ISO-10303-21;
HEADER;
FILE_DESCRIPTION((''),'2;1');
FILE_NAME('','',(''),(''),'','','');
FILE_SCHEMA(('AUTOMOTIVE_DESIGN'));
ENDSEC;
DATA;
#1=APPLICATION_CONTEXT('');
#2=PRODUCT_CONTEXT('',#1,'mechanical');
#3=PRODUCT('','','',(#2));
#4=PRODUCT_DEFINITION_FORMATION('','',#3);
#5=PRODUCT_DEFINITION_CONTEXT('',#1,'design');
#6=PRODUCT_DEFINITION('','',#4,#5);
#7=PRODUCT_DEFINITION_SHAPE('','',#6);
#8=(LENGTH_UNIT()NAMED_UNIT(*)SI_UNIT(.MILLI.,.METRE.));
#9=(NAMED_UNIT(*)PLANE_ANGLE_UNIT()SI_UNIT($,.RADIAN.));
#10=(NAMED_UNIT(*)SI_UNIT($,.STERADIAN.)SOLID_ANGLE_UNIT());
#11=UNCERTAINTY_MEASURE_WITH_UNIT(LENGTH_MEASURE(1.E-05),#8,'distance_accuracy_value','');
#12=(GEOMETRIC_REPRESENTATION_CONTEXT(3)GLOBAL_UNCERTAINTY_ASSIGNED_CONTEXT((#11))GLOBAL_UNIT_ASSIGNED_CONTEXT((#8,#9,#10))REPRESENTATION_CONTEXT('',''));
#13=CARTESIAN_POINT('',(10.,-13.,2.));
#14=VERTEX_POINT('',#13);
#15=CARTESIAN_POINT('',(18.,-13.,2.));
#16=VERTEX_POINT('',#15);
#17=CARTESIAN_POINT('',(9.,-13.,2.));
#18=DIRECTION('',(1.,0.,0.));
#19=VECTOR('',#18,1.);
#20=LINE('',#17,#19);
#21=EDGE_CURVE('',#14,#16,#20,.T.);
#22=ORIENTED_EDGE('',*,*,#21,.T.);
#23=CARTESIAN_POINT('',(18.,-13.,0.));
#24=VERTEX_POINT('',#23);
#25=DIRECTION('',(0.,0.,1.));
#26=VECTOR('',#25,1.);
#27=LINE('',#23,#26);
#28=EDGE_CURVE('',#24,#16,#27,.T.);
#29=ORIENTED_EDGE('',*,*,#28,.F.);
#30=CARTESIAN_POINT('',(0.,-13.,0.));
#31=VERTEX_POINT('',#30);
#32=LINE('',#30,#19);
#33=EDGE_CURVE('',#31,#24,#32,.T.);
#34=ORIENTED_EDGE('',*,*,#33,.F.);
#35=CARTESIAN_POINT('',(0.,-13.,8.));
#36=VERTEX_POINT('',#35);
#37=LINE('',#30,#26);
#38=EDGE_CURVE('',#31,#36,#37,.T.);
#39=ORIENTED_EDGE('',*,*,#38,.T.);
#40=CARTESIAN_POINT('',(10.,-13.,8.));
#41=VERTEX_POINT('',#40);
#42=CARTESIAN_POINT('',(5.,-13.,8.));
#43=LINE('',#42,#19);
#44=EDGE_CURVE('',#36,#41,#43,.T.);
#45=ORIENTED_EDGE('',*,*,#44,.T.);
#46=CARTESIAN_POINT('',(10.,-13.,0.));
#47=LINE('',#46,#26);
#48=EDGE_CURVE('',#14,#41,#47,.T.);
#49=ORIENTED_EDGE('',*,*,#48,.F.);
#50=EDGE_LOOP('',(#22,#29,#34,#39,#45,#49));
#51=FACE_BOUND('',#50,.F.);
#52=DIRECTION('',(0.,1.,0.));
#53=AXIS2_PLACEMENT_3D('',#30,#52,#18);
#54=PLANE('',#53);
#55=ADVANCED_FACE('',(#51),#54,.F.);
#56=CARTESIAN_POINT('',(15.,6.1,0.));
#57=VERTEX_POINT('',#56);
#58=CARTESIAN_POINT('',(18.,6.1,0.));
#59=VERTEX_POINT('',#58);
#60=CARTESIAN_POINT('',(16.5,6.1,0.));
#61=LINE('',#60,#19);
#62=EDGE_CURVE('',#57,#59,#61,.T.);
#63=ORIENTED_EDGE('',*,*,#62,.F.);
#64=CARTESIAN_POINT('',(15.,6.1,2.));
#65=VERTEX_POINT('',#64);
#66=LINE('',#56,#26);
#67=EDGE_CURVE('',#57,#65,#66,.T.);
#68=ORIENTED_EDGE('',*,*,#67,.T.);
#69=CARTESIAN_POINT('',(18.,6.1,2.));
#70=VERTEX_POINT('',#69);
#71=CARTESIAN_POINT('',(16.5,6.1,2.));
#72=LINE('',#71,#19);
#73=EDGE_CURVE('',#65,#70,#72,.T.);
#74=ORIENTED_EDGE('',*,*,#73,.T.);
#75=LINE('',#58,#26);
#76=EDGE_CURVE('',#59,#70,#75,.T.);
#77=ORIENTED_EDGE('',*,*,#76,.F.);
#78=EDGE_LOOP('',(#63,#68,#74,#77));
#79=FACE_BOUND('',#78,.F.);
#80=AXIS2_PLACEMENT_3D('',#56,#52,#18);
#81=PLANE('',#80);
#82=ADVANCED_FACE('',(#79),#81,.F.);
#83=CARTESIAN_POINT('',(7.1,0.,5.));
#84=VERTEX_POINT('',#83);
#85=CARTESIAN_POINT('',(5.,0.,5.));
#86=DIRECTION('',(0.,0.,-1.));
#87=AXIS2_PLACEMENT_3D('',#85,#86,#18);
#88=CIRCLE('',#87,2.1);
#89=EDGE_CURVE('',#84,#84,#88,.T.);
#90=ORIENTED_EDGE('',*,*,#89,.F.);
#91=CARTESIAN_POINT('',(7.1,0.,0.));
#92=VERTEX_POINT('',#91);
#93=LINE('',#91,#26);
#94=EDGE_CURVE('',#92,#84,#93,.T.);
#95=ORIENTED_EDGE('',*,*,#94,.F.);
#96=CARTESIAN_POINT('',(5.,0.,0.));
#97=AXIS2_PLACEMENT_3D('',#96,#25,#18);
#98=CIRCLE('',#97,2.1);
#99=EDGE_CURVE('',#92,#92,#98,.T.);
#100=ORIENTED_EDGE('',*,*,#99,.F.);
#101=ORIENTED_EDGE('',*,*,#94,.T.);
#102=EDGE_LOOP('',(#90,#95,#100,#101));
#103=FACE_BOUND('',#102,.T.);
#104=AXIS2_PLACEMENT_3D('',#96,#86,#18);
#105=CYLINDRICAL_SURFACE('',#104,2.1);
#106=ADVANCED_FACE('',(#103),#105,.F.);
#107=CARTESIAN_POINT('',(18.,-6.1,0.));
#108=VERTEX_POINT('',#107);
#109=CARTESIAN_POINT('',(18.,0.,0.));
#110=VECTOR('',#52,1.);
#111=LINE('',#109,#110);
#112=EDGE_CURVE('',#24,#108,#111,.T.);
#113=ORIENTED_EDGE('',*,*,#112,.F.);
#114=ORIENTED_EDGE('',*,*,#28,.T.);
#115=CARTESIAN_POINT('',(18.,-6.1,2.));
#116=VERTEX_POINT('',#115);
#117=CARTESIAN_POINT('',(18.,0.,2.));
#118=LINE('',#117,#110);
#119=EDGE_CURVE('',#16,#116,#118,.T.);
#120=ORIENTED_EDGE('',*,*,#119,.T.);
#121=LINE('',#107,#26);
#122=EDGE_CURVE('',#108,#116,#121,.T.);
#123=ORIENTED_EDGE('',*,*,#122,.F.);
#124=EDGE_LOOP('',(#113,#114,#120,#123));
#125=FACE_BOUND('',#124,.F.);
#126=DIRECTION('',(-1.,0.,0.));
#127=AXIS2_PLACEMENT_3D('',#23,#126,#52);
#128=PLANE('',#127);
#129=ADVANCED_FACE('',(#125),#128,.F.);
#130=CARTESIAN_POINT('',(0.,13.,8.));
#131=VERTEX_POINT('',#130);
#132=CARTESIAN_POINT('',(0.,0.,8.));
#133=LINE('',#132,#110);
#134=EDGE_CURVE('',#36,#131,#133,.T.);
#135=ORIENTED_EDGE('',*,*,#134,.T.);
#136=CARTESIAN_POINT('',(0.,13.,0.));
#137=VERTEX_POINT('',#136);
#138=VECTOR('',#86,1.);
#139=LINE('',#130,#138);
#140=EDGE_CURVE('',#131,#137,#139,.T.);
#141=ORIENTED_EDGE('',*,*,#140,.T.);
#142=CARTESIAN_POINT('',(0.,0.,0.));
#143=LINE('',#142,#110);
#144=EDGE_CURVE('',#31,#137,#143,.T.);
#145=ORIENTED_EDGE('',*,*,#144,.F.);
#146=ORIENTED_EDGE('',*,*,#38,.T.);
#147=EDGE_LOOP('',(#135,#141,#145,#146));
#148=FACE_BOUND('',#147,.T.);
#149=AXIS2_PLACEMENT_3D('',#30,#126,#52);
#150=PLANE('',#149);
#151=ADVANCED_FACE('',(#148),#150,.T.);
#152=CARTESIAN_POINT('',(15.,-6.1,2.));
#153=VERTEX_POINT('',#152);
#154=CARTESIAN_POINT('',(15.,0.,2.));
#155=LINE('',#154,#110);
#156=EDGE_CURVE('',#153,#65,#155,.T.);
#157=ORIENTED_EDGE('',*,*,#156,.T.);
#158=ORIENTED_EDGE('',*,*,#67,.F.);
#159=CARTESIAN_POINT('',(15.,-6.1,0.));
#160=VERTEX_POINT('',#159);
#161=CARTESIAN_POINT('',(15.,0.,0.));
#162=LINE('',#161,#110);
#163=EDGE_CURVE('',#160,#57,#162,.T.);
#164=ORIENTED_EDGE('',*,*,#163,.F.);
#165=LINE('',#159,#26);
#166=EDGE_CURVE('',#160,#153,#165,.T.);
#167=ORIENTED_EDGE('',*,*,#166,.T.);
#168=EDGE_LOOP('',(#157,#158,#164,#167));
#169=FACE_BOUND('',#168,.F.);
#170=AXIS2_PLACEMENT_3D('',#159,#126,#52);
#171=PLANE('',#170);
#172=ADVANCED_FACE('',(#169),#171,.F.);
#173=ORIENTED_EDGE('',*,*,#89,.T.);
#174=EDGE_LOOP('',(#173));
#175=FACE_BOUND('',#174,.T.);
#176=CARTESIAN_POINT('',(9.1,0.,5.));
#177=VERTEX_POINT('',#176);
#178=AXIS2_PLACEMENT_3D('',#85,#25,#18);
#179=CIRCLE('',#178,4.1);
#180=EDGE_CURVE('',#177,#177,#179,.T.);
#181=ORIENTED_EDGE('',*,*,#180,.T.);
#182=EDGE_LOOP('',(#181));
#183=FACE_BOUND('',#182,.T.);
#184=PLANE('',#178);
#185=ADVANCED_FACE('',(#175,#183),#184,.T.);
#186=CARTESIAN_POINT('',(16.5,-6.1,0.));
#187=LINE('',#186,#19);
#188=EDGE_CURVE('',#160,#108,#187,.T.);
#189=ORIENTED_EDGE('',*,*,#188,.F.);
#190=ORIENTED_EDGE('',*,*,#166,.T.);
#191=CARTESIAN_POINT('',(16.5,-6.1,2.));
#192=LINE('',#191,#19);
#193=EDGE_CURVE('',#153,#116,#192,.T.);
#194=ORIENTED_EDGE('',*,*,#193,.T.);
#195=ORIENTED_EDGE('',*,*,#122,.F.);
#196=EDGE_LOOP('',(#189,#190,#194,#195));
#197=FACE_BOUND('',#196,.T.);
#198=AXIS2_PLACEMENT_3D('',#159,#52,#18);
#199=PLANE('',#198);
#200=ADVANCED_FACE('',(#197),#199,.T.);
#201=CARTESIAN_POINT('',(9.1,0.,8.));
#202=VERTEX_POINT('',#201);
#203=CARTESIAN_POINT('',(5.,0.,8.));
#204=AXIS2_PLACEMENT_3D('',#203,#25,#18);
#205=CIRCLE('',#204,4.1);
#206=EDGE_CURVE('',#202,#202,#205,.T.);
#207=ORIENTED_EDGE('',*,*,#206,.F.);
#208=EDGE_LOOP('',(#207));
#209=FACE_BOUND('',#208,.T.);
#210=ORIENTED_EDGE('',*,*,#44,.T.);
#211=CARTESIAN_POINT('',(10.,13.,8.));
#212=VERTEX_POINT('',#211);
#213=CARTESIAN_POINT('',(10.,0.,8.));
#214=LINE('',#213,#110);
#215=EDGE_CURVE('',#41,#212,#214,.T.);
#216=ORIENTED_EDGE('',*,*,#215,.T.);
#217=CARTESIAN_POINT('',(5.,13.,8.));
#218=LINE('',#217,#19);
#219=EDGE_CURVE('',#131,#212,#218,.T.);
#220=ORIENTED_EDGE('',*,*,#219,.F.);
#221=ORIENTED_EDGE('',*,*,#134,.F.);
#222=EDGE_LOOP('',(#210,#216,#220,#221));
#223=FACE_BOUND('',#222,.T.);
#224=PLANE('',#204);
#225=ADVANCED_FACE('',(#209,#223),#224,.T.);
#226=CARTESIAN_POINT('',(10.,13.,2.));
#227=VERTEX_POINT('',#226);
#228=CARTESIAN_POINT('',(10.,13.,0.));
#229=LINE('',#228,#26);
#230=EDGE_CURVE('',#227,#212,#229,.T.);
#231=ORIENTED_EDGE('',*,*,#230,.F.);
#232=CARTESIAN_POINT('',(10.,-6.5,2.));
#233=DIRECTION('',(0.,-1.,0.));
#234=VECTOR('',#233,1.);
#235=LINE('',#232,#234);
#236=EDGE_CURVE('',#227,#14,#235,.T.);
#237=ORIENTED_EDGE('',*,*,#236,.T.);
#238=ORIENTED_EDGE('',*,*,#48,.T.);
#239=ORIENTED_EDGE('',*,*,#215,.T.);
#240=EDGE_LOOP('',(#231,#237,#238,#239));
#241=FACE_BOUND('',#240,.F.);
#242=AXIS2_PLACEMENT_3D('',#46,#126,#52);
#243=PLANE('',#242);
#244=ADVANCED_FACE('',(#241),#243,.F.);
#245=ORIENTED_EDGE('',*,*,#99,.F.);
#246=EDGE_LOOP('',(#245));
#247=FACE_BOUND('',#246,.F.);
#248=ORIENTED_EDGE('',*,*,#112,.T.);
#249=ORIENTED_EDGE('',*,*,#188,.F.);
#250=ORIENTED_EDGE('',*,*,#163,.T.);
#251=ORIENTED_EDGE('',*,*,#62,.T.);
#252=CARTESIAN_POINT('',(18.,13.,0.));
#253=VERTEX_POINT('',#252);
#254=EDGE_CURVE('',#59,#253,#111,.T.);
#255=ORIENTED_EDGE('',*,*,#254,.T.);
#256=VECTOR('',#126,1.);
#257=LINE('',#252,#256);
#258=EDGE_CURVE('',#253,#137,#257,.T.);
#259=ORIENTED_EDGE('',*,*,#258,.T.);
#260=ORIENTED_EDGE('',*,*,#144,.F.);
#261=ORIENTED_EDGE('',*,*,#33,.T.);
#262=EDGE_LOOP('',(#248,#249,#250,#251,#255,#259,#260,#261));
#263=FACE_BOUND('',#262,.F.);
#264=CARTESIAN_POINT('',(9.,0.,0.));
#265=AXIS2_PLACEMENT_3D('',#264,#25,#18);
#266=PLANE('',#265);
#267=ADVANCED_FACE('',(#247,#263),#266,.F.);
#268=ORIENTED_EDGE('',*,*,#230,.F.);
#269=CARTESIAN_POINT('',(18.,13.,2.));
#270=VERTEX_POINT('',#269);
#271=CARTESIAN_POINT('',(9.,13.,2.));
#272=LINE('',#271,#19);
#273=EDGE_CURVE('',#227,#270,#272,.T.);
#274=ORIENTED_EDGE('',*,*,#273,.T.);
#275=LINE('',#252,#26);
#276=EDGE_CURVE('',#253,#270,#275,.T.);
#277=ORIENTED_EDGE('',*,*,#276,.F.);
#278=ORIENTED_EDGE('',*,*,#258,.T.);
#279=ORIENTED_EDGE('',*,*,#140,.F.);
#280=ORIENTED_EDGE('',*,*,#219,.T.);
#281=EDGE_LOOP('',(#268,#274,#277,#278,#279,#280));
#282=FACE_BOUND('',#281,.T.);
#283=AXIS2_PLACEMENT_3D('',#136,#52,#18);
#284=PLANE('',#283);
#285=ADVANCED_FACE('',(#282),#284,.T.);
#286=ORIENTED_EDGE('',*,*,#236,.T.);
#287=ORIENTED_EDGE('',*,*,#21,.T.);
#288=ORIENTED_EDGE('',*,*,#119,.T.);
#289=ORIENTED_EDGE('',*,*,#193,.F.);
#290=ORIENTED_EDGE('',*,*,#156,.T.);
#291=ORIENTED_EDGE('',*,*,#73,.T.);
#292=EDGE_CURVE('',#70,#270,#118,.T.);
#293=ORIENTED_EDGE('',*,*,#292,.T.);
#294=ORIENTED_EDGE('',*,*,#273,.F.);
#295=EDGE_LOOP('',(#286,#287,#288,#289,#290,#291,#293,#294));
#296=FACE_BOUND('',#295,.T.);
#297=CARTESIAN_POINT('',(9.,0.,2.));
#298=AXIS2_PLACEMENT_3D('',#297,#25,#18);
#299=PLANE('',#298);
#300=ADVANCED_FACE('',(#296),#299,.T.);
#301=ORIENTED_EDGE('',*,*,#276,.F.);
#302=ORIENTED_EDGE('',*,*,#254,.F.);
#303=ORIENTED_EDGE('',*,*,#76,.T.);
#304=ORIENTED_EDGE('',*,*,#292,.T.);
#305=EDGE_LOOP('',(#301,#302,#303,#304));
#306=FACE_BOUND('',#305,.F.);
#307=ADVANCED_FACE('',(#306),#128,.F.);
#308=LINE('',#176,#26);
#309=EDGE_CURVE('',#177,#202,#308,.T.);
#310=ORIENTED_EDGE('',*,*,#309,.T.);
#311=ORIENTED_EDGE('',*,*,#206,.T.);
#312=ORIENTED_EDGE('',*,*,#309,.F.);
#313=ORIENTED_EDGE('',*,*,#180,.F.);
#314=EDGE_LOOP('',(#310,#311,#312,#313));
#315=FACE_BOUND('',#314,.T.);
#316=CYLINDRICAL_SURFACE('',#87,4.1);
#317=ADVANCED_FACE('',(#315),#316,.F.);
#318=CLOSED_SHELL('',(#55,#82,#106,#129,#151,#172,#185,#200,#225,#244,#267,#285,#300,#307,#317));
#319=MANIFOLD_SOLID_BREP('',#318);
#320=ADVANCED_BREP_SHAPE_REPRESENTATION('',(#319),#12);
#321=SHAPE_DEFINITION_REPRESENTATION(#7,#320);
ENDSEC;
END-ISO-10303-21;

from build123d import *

# Parameters (mm, degrees)
CYLINDER001_R     = 4.1
CYLINDER001_DEPTH = 3
CYLINDER_R        = 2.1
CYLINDER_DEPTH    = 8
BOX004_W          = 3
BOX004_H          = 12.2
BOX004_DEPTH      = 2
BOX001_W          = 10
BOX001_H          = 26
BOX001_DEPTH      = 8
BOX_W             = 18
BOX_H             = 26
BOX_DEPTH         = 2


with BuildPart() as cylinder001:
    # Cylinder001 → Cylinder001 (new body)
    with BuildSketch(Plane(origin=(5, 0, 5), x_dir=(1, 0, 0), z_dir=(0, 0, 1))):
        Circle(CYLINDER001_R)
    extrude(amount=CYLINDER001_DEPTH)


with BuildPart() as fusion:
    # Cylinder → Cylinder (new body)
    with BuildSketch(Plane(origin=(5, 0, 0), x_dir=(1, 0, 0), z_dir=(0, 0, 1))):
        Circle(CYLINDER_R)
    extrude(amount=CYLINDER_DEPTH)

    # Fusion: union Cylinder001
    add(cylinder001.part)


with BuildPart() as cube004:
    # Box004 → Box004 (new body)
    with BuildSketch(Plane(origin=(15, -6.1, 0), x_dir=(1, 0, 0), z_dir=(0, 0, 1))):
        with Locations((1.5, 6.1)):
            Rectangle(BOX004_W, BOX004_H)
    extrude(amount=BOX004_DEPTH)


with BuildPart() as cube001:
    # Box001 → Box001 (new body)
    with BuildSketch(Plane(origin=(0, -13, 0), x_dir=(1, 0, 0), z_dir=(0, 0, 1))):
        with Locations((5, 13)):
            Rectangle(BOX001_W, BOX001_H)
    extrude(amount=BOX001_DEPTH)


with BuildPart() as cut007015:
    # Box → Box (new body)
    with BuildSketch(Plane(origin=(0, -13, 0), x_dir=(1, 0, 0), z_dir=(0, 0, 1))):
        with Locations((9, 13)):
            Rectangle(BOX_W, BOX_H)
    extrude(amount=BOX_DEPTH)

    # Fusion004008: union Cube001
    add(cube001.part)

    # Cut007014: cut Cube004
    add(cube004.part, mode=Mode.SUBTRACT)

    # Cut007015: cut Fusion
    add(fusion.part, mode=Mode.SUBTRACT)


solid = cut007015.part
